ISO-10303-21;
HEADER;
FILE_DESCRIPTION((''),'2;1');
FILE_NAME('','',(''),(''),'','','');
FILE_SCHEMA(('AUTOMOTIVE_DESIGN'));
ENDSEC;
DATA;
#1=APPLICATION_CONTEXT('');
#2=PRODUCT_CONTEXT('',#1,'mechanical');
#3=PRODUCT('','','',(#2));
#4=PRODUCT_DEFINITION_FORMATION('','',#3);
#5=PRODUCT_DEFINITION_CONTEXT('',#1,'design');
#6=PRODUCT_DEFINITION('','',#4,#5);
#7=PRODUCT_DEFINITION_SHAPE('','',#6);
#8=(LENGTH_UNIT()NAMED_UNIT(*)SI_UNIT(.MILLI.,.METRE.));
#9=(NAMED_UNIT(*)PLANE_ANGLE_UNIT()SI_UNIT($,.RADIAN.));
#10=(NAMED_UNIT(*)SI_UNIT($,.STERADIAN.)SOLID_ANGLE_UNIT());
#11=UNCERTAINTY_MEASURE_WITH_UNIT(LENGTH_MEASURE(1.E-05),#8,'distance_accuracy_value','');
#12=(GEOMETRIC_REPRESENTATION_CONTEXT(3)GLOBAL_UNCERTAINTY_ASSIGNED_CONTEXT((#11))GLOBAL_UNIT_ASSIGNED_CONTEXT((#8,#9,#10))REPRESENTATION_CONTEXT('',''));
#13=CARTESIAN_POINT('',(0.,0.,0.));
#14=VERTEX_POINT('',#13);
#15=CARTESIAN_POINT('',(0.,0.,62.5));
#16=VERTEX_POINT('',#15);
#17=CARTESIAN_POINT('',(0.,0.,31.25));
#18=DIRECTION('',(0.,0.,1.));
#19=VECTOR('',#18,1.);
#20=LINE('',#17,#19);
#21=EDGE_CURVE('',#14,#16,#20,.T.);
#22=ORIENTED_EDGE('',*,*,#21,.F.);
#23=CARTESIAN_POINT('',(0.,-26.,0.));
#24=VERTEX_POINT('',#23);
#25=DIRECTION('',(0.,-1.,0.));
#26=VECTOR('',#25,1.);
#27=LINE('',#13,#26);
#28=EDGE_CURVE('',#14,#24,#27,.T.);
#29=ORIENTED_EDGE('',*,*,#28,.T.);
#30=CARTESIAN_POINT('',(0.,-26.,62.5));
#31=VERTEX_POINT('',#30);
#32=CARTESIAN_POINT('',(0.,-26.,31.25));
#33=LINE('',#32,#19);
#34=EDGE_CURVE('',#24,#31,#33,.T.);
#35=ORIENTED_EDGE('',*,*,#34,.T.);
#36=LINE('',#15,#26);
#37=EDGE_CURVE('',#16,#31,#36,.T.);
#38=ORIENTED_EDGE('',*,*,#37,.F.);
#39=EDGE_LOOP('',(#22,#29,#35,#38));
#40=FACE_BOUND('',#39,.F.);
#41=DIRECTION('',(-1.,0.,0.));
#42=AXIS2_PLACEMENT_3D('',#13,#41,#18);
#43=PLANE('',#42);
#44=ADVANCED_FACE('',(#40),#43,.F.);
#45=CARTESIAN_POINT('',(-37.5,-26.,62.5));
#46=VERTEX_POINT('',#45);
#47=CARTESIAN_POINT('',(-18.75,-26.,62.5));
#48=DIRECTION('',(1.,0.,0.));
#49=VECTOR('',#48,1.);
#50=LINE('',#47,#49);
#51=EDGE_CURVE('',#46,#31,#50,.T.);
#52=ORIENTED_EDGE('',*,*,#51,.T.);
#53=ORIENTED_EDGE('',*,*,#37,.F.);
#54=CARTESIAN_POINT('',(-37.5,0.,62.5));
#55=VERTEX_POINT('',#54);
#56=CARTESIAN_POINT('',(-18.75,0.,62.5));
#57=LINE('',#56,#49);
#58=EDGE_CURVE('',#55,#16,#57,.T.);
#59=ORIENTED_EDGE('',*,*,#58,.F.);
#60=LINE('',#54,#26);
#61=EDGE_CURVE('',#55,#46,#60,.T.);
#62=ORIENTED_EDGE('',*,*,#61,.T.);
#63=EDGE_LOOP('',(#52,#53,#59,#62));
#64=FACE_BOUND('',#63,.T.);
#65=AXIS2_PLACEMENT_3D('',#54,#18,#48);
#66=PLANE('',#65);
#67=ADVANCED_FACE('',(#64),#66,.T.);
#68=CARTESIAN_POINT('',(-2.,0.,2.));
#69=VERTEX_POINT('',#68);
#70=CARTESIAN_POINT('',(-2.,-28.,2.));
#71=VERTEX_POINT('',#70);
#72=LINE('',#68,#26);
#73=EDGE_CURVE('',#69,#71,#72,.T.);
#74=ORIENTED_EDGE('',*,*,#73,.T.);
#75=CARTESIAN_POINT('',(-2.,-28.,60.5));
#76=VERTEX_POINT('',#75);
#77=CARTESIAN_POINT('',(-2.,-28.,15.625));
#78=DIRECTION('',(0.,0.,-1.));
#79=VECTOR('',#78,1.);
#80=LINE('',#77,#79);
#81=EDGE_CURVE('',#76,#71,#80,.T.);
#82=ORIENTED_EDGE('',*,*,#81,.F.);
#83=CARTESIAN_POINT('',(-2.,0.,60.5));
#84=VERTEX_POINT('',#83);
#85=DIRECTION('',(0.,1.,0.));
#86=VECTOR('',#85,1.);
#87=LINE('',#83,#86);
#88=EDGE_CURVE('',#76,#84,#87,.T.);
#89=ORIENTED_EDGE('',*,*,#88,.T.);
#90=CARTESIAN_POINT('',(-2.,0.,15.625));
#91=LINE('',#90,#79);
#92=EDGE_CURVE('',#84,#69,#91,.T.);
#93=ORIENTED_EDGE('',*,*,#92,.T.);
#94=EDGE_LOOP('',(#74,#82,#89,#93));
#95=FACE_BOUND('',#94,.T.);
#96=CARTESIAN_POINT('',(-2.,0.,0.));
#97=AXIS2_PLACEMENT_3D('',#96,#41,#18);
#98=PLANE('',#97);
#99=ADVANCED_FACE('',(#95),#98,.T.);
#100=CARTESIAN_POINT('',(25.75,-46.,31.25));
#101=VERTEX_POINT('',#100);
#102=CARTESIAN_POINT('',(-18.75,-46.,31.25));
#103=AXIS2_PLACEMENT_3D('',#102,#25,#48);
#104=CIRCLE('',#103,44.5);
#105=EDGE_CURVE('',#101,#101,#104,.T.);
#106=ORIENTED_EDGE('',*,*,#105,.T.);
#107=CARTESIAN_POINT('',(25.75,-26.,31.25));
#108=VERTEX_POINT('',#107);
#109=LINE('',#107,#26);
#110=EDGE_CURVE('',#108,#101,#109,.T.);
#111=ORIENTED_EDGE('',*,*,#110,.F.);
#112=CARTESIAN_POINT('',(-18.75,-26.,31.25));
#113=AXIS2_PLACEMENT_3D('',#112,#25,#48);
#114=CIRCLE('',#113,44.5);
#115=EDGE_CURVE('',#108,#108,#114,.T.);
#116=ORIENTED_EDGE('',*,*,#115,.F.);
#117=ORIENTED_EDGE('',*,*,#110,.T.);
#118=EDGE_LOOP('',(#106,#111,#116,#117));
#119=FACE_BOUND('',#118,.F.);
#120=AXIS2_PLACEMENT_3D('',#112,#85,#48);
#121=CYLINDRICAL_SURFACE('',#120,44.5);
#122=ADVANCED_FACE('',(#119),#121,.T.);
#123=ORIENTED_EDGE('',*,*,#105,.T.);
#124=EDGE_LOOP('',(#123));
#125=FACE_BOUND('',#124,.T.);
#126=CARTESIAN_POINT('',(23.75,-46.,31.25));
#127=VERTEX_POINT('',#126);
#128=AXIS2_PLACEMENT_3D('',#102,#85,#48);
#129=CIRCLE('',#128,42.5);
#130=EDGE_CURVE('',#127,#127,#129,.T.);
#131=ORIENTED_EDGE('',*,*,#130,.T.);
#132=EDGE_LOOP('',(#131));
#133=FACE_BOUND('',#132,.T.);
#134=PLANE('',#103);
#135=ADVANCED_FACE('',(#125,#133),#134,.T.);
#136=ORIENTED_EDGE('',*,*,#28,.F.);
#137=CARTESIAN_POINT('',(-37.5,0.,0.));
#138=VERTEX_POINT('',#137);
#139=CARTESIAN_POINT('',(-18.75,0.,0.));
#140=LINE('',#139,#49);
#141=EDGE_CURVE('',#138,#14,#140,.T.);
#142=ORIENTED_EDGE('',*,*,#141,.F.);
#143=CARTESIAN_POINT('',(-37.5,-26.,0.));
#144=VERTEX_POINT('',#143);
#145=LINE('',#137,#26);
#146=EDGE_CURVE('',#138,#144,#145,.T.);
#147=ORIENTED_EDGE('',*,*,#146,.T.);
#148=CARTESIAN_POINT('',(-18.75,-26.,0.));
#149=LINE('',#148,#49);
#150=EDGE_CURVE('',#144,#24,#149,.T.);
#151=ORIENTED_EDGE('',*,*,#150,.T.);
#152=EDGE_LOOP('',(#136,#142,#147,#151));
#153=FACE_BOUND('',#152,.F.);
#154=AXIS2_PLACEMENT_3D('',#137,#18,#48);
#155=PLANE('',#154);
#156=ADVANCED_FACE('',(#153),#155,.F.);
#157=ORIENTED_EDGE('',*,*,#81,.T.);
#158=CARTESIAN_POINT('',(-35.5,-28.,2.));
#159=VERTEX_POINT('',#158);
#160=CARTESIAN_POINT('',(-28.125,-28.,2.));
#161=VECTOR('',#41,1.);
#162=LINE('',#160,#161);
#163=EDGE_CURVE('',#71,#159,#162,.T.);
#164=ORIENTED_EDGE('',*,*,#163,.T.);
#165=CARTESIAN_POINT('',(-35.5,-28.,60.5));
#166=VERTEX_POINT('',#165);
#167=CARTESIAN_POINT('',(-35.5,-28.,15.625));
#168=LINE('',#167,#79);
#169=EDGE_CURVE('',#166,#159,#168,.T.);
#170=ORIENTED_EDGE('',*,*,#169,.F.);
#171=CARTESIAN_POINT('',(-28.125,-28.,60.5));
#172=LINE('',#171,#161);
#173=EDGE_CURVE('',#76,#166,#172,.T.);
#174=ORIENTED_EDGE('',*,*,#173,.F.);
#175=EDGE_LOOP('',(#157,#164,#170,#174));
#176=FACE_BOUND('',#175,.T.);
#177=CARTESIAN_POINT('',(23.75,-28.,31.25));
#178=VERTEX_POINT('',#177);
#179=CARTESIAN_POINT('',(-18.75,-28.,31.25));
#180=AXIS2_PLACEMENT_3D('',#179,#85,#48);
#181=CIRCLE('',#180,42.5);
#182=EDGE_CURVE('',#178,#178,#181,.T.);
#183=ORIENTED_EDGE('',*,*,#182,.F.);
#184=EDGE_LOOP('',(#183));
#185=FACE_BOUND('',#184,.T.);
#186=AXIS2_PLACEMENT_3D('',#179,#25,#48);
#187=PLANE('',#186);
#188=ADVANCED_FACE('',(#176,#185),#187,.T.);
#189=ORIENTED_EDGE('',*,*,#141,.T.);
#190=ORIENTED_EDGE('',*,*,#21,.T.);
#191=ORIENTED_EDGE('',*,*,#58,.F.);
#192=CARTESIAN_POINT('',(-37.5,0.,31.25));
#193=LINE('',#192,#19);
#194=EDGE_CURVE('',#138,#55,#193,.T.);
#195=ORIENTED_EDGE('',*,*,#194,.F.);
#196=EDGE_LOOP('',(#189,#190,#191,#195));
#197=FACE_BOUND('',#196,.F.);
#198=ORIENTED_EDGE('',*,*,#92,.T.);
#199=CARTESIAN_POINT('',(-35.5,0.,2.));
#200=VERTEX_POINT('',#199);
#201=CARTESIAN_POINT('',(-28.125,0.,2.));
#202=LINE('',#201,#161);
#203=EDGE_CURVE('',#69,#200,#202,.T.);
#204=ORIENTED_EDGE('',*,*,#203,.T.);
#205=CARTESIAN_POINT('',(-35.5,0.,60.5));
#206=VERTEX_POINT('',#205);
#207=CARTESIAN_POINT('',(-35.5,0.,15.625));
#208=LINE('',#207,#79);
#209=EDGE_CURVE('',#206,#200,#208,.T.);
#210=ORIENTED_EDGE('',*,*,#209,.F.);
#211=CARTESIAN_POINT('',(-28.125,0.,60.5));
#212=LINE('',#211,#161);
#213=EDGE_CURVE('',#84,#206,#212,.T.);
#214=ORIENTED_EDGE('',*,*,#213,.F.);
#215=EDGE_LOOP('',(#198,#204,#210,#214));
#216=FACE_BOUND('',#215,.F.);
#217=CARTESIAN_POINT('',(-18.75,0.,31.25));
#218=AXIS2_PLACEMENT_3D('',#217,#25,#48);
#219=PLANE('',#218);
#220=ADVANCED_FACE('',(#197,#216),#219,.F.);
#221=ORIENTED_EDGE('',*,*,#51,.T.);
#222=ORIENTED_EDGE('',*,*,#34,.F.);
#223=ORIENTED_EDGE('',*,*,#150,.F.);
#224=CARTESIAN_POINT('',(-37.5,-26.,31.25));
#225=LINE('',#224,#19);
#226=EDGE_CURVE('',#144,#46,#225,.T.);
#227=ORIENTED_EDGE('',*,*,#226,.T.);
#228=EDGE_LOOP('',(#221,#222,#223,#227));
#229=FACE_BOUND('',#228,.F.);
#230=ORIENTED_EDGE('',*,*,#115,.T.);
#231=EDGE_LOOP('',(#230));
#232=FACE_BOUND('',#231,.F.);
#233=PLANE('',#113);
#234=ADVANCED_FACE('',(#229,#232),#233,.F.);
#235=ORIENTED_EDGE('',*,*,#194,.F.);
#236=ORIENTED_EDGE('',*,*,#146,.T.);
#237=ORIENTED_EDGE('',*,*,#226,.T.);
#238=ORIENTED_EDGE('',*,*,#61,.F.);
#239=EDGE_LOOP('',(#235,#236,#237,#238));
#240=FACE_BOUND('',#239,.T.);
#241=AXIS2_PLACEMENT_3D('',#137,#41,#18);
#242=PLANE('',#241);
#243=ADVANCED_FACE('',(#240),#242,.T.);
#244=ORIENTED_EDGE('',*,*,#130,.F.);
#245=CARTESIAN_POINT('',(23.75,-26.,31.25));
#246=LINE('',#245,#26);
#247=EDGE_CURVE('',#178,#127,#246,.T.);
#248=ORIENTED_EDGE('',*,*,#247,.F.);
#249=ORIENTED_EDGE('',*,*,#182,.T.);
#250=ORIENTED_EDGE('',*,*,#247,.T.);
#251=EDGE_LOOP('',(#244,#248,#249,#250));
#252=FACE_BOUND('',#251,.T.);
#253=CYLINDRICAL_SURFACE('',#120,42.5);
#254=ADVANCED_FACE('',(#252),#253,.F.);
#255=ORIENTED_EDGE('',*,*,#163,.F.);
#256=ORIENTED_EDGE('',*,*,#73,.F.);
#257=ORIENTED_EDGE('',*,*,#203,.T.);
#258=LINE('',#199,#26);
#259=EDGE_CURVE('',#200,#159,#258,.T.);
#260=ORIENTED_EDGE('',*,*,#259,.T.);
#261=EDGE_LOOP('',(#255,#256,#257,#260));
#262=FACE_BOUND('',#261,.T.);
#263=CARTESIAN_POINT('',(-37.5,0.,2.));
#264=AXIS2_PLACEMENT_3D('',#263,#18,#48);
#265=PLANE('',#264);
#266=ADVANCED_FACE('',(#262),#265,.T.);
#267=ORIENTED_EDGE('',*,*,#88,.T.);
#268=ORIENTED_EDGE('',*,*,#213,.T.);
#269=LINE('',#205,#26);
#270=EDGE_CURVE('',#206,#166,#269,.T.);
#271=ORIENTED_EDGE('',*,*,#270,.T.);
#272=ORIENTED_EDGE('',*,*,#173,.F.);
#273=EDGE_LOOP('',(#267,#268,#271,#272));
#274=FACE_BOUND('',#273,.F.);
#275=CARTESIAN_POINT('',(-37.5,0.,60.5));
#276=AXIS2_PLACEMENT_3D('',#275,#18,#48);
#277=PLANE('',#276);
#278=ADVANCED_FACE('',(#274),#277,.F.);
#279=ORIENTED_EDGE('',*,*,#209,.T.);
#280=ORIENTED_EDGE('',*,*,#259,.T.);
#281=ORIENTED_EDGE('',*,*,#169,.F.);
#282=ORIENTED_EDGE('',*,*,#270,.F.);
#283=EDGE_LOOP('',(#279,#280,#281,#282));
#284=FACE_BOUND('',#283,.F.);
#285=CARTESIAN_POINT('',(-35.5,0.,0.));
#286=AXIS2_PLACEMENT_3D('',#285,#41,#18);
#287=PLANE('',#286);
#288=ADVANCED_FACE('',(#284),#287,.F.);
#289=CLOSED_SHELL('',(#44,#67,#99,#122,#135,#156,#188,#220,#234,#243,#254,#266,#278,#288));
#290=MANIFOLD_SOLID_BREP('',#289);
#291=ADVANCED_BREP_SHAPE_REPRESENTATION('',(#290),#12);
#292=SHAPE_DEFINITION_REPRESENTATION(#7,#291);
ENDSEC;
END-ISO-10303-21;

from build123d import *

# Parameters (mm, degrees)
F0_W     = 37.5
F0_H     = 62.5
F1_DEPTH = 26
F2_R     = 44.5
F2_W     = 37.5
F2_H     = 62.5
F3_DEPTH = 20
F4_T     = -2


with BuildPart() as f1:
    # F0 (on Front) → F1 (new body)
    with BuildSketch(Plane.XZ):
        with Locations((-18.75, 31.25)):
            Rectangle(F0_W, F0_H)
    extrude(amount=F1_DEPTH)

    # F2 (on face) → F3 (join)
    with BuildSketch(Plane.XZ.offset(26)):
        with Locations((-18.75, 31.25)):
            Circle(F2_R)
        with Locations((-18.75, 31.25)):
            Rectangle(F2_W, F2_H, mode=Mode.SUBTRACT)
        with Locations((-18.75, 31.25)):
            Rectangle(F2_W, F2_H)
    extrude(amount=F3_DEPTH)

    # F4
    f4_openings = [f1.faces().sort_by_distance(p)[0] for p in [
        (-18.75, -46, 31.25),
        (-18.75, 0, 31.25),
    ]]
    offset(amount=F4_T, openings=f4_openings, kind=Kind.INTERSECTION)


solid = f1.part
